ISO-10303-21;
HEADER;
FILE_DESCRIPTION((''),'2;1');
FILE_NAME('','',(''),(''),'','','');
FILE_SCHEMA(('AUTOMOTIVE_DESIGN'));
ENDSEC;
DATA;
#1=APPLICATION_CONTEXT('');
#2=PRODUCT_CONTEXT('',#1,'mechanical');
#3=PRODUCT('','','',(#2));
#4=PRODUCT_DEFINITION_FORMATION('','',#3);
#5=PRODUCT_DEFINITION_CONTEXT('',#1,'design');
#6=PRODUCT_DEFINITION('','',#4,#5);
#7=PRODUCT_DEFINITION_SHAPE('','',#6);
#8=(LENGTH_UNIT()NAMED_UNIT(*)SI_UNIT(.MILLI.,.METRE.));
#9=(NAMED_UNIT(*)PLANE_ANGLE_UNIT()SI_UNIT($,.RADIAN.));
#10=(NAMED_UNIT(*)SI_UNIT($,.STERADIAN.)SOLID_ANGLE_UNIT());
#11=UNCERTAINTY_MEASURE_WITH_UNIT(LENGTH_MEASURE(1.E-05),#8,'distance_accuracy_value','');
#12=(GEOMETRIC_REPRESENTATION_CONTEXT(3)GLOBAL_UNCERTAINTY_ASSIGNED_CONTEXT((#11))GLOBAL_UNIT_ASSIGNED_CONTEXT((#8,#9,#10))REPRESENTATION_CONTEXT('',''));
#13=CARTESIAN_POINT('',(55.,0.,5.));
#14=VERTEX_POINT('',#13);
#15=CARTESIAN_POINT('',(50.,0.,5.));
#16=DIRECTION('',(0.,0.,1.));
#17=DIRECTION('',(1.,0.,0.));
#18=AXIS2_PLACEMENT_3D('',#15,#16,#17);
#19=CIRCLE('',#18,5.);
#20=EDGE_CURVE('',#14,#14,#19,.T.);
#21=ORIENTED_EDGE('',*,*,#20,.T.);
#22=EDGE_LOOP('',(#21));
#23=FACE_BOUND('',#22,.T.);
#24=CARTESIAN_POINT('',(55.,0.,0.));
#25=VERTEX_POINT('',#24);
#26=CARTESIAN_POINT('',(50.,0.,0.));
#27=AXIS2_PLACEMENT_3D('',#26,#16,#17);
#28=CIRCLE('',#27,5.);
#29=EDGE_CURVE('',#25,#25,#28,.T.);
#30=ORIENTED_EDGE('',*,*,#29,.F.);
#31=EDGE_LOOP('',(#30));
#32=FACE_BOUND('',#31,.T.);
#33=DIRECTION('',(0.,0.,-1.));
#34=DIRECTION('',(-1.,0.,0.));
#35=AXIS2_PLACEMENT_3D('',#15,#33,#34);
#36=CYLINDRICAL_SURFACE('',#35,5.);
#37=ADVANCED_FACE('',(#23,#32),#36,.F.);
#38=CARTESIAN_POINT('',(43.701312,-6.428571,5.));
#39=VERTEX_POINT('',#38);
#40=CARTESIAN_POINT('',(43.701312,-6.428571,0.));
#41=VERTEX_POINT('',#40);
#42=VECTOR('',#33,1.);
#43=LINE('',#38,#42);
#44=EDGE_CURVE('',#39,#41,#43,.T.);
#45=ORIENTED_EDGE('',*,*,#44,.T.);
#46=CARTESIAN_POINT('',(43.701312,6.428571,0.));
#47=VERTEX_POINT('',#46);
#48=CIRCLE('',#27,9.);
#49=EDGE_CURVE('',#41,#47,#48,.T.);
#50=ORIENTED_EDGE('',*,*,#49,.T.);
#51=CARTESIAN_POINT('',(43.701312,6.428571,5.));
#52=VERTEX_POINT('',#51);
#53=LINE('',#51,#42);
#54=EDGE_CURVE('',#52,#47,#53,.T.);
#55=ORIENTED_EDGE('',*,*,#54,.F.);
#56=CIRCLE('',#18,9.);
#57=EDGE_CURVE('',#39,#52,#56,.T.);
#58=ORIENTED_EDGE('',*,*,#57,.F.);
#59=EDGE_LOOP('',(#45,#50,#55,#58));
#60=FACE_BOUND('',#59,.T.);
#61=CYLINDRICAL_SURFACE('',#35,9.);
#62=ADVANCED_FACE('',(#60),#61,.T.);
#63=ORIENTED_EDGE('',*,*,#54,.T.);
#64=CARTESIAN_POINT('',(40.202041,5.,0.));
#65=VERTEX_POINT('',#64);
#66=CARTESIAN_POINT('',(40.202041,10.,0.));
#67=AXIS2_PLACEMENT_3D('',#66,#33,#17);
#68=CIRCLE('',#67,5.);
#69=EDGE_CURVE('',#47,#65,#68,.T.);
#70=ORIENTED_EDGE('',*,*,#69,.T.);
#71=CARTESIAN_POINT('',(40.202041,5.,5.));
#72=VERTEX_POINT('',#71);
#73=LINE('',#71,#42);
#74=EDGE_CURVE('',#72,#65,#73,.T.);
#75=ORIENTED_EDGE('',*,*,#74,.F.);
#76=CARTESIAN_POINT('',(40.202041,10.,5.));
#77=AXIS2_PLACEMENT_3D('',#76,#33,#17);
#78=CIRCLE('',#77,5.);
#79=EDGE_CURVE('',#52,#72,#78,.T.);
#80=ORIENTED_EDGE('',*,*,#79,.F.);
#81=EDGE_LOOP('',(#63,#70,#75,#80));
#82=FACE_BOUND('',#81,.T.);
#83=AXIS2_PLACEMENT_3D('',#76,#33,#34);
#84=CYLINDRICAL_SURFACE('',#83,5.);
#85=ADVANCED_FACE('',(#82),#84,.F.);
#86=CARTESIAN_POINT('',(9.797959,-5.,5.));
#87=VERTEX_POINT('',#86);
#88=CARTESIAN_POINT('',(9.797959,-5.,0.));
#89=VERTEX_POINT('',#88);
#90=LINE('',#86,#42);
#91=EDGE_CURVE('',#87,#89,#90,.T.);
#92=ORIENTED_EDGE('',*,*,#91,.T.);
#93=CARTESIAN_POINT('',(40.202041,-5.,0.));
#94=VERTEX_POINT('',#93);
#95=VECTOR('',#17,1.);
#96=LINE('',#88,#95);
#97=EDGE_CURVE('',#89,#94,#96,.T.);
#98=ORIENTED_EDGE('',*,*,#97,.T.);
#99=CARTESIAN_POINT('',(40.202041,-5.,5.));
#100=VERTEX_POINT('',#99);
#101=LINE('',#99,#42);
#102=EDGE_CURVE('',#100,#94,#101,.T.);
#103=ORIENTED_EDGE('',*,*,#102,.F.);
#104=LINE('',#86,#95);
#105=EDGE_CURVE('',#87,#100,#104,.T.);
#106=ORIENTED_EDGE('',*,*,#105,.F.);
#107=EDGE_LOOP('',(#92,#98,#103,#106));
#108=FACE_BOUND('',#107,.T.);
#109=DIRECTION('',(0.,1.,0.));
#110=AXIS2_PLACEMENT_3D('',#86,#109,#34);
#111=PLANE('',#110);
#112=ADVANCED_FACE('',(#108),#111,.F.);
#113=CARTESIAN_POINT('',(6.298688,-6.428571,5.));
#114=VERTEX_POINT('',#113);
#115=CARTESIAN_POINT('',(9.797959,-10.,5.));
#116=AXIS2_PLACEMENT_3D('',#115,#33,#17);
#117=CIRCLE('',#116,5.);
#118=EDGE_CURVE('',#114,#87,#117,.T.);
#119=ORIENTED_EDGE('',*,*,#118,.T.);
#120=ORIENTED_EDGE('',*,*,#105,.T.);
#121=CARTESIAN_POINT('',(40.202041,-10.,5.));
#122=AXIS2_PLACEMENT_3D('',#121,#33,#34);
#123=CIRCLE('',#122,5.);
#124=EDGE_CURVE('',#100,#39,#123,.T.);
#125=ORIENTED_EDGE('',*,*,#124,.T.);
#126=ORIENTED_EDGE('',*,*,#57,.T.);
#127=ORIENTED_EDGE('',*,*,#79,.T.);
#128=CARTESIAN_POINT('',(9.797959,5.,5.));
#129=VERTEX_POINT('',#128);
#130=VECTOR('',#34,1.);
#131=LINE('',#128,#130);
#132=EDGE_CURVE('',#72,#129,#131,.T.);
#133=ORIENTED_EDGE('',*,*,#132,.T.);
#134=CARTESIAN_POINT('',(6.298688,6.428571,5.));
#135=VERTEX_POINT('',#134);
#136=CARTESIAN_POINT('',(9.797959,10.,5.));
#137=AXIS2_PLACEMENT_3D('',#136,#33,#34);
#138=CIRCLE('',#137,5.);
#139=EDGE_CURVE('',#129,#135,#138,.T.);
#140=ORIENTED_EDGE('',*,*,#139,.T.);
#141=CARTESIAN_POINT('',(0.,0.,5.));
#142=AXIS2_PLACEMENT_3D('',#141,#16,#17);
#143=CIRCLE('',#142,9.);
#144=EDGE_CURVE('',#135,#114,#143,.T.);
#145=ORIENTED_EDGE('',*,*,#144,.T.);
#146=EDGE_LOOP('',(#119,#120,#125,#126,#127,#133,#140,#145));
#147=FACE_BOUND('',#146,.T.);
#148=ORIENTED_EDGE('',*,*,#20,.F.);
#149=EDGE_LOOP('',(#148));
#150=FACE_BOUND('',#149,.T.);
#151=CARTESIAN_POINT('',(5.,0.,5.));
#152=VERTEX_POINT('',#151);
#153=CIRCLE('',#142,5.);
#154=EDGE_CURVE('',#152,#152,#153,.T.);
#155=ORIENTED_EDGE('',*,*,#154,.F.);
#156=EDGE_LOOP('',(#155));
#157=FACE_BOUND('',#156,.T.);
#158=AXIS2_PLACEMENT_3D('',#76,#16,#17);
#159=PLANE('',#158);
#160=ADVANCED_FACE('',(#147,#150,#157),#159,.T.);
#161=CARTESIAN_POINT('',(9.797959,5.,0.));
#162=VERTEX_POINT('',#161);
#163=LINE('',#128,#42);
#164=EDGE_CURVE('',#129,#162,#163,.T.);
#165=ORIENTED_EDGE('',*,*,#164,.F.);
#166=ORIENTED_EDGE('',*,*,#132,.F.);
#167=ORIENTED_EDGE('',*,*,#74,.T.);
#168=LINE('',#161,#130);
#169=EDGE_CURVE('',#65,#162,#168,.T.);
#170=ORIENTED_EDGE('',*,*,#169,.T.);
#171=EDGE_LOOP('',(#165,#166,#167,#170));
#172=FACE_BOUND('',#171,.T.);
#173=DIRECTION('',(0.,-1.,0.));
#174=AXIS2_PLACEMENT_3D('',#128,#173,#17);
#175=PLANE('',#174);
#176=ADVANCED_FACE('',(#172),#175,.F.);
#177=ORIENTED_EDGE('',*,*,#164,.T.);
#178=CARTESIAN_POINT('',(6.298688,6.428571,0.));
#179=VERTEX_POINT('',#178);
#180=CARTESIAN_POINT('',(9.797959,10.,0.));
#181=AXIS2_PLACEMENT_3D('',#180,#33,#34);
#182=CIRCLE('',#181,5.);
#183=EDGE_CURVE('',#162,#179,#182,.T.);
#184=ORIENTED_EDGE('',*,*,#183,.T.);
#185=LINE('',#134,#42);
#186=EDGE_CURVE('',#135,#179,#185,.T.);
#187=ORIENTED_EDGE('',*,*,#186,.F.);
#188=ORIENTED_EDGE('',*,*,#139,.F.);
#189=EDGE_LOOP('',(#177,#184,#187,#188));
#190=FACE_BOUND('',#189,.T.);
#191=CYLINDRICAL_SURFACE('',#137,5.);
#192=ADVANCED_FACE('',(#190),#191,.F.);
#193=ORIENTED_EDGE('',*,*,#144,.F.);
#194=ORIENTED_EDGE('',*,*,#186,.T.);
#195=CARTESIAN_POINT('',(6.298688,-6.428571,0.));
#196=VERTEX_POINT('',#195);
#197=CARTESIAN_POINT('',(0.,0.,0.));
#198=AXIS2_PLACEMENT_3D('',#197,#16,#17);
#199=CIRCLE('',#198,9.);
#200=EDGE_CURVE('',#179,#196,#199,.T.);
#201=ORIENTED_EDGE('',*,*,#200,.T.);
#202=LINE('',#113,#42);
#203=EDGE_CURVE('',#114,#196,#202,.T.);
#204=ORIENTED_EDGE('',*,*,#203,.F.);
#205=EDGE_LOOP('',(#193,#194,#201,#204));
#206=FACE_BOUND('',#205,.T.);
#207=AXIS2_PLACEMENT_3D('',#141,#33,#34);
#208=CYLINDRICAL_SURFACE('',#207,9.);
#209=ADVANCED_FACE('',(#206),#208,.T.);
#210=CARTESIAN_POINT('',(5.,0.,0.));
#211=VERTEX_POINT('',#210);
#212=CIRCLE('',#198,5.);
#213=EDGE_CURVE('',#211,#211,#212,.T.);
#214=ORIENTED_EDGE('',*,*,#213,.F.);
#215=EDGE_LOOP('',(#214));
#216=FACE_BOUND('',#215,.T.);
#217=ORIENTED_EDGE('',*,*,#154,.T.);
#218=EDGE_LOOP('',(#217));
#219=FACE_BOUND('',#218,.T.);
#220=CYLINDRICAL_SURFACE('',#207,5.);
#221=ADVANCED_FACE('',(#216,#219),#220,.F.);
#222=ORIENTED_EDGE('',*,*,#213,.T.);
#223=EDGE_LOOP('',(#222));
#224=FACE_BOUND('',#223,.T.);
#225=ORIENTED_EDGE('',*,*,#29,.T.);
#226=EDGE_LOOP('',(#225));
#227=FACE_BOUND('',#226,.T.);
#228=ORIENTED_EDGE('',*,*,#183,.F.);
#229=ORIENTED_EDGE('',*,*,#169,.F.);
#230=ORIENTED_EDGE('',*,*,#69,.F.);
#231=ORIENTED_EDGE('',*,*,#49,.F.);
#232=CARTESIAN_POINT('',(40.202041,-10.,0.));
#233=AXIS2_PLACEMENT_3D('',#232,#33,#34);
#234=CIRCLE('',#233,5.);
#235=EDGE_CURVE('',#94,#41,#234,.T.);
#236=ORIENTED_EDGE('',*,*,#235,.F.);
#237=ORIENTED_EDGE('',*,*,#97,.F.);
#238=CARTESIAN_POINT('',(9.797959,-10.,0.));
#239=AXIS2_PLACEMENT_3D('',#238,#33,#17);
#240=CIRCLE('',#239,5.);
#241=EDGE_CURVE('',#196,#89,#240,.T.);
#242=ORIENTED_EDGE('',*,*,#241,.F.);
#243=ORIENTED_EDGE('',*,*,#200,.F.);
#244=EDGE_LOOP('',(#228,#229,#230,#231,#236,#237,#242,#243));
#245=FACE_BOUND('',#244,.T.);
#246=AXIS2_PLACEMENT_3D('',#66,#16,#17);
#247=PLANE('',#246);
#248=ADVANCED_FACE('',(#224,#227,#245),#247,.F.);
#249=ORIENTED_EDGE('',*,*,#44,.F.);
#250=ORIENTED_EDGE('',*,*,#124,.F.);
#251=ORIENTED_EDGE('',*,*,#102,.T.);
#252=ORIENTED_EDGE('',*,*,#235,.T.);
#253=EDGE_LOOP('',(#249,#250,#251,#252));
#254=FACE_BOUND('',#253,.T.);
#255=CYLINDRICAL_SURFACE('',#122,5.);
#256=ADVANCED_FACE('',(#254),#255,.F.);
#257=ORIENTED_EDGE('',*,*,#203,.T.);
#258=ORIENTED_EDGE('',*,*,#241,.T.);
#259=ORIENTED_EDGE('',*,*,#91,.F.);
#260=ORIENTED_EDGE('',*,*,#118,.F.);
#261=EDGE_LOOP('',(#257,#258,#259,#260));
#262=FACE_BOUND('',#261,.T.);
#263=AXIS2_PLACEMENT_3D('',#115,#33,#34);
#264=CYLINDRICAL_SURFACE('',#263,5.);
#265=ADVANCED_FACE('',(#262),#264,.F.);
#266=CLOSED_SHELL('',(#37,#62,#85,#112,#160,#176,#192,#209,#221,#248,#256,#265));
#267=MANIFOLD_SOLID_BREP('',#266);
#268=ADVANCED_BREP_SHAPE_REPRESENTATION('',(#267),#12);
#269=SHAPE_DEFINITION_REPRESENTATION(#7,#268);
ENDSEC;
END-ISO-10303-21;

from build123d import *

# Parameters (mm, degrees)
SKETCH1_R           = 5
BOSS_EXTRUDE1_DEPTH = 5


with BuildPart() as part:
    # Sketch1 → Boss-Extrude1 (new body)
    with BuildSketch(Plane.XY):
        with BuildLine():
            Line((9.797958971, 5), (40.202041029, 5))
            ThreePointArc((40.202041029, 5), (42.091863394, 5.370899501), (43.70131209, 6.428571429))
            ThreePointArc((43.70131209, 6.428571429), (59, 0), (43.70131209, -6.428571429))
            ThreePointArc((43.70131209, -6.428571429), (42.091863394, -5.370899501), (40.202041029, -5))
            Line((40.202041029, -5), (9.797958971, -5))
            ThreePointArc((9.797958971, -5), (7.908136606, -5.370899501), (6.29868791, -6.428571429))
            ThreePointArc((6.29868791, -6.428571429), (-9, 0), (6.29868791, 6.428571429))
            ThreePointArc((6.29868791, 6.428571429), (7.908136606, 5.370899501), (9.797958971, 5))
        make_face()
        Circle(SKETCH1_R, mode=Mode.SUBTRACT)
        with Locations((50, 0)):
            Circle(SKETCH1_R, mode=Mode.SUBTRACT)
    extrude(amount=BOSS_EXTRUDE1_DEPTH)


solid = part.part
